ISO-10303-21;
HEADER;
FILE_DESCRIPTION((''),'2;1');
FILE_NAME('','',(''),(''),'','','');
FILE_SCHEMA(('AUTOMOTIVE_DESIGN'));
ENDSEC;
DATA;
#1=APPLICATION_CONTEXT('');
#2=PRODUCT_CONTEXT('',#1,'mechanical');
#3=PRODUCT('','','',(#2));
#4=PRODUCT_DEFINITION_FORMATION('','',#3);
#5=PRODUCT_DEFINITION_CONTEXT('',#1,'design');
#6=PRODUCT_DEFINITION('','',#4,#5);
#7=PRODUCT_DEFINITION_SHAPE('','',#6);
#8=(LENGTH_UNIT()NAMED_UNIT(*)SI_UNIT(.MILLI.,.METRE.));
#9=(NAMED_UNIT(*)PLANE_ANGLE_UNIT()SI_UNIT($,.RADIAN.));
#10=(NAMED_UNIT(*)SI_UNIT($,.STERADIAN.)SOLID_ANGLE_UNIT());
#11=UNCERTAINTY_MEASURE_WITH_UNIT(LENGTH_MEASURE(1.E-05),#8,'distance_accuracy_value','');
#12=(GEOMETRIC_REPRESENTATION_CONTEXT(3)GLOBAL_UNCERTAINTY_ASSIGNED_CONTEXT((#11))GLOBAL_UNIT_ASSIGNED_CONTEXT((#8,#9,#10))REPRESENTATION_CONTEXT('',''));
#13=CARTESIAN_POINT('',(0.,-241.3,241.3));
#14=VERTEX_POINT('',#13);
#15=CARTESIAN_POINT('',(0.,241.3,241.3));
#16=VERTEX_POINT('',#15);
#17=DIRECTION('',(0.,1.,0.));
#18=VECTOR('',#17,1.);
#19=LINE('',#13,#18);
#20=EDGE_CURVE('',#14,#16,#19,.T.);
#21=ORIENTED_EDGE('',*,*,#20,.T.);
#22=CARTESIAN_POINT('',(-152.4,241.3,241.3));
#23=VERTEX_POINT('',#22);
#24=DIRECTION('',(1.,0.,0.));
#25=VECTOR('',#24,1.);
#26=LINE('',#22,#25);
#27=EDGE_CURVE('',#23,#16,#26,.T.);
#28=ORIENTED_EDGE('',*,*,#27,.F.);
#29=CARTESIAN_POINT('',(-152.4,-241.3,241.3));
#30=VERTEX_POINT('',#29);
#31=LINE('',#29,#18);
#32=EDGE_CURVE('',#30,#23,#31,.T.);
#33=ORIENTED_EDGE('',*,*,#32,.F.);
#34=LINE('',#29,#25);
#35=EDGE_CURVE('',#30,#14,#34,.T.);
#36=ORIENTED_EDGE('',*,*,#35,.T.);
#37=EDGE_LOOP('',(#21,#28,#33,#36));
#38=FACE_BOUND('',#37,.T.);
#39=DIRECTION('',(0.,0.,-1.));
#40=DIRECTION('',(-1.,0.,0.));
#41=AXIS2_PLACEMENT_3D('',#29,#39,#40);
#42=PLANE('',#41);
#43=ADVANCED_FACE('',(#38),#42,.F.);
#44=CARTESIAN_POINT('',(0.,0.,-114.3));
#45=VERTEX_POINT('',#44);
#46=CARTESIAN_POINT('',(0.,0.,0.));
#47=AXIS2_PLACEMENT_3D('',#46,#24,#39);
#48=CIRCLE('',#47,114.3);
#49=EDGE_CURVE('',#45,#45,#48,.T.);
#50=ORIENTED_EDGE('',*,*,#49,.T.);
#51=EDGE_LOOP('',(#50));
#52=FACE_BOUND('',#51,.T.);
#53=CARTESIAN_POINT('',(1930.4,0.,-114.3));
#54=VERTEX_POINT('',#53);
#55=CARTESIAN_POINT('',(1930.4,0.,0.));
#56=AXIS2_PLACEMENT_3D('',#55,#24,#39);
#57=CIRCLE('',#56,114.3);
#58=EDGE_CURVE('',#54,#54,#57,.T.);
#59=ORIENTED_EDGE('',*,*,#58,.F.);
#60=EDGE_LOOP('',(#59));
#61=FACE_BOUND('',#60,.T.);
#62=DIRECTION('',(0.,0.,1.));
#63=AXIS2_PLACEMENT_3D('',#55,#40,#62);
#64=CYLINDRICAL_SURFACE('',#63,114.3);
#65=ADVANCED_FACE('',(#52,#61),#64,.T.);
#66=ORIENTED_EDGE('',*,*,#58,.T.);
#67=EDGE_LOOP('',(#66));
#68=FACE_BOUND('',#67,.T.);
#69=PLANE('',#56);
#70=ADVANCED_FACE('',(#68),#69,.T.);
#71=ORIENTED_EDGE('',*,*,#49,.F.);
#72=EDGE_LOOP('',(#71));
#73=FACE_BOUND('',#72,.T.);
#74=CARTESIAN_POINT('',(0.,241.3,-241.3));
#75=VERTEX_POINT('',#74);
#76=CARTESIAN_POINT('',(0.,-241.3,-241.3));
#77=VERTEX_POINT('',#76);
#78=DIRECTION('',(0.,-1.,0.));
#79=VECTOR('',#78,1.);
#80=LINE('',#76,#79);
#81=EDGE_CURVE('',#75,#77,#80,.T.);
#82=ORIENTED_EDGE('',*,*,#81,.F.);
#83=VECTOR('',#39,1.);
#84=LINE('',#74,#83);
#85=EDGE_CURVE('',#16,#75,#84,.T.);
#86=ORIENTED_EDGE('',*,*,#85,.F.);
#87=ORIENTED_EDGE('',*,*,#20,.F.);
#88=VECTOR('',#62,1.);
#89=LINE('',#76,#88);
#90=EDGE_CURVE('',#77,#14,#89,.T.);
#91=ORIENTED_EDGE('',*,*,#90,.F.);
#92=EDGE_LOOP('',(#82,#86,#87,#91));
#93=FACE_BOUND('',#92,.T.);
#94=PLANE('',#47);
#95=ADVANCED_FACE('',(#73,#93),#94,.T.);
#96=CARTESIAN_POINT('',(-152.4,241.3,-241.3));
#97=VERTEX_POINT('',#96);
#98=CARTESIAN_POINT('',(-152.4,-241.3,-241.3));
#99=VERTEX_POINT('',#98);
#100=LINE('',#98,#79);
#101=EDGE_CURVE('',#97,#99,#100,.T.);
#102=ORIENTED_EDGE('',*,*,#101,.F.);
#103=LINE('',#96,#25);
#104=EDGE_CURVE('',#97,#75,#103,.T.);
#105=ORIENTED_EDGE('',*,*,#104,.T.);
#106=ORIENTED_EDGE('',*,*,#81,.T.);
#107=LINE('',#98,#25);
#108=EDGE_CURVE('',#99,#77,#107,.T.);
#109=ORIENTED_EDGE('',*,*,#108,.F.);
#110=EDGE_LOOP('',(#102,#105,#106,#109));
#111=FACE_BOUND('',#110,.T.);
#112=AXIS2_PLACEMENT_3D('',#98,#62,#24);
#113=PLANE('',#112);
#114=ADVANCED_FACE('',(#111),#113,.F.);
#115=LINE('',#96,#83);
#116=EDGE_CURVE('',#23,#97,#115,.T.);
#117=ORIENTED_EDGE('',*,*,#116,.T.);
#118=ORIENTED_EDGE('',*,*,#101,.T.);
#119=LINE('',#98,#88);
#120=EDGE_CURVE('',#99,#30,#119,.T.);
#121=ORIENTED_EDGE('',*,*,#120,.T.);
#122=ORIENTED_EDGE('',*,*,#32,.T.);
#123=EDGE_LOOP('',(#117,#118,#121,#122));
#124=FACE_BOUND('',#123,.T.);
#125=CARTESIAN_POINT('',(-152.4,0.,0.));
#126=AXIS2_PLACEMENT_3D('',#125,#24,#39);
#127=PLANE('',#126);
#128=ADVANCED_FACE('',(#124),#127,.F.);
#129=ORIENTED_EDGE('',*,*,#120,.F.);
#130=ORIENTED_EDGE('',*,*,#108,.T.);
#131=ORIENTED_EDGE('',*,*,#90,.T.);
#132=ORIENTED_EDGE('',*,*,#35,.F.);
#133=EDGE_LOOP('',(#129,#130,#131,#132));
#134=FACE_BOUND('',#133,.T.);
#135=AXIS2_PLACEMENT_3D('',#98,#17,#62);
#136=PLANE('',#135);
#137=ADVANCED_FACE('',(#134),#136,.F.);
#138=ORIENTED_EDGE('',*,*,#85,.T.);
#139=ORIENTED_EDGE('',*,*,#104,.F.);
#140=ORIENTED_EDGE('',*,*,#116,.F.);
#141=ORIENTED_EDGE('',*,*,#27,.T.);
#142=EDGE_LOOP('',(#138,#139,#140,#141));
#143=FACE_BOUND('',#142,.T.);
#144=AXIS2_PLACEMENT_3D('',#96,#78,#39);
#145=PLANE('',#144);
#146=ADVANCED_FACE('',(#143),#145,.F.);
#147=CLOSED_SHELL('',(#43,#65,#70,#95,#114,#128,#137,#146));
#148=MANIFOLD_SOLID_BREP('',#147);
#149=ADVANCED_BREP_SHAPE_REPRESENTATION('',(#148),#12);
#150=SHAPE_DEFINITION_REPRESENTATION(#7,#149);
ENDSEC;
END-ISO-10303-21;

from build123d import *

# Parameters (mm, degrees)
SKETCH1_R           = 114.3
BOSS_EXTRUDE1_DEPTH = 1930.4
SKETCH2_W           = 482.6
SKETCH2_H           = 482.6
BOSS_EXTRUDE2_DEPTH = 152.4


with BuildPart() as part:
    # Sketch1 → Boss-Extrude1 (new body)
    with BuildSketch(Plane(origin=(0, 0, 0), x_dir=(0, 0, -1), z_dir=(1, 0, 0))):
        Circle(SKETCH1_R)
    extrude(amount=BOSS_EXTRUDE1_DEPTH)

    # Sketch2 → Boss-Extrude2 (add)
    with BuildSketch(Plane.ZY):
        Rectangle(SKETCH2_W, SKETCH2_H)
    extrude(amount=BOSS_EXTRUDE2_DEPTH)


solid = part.part
